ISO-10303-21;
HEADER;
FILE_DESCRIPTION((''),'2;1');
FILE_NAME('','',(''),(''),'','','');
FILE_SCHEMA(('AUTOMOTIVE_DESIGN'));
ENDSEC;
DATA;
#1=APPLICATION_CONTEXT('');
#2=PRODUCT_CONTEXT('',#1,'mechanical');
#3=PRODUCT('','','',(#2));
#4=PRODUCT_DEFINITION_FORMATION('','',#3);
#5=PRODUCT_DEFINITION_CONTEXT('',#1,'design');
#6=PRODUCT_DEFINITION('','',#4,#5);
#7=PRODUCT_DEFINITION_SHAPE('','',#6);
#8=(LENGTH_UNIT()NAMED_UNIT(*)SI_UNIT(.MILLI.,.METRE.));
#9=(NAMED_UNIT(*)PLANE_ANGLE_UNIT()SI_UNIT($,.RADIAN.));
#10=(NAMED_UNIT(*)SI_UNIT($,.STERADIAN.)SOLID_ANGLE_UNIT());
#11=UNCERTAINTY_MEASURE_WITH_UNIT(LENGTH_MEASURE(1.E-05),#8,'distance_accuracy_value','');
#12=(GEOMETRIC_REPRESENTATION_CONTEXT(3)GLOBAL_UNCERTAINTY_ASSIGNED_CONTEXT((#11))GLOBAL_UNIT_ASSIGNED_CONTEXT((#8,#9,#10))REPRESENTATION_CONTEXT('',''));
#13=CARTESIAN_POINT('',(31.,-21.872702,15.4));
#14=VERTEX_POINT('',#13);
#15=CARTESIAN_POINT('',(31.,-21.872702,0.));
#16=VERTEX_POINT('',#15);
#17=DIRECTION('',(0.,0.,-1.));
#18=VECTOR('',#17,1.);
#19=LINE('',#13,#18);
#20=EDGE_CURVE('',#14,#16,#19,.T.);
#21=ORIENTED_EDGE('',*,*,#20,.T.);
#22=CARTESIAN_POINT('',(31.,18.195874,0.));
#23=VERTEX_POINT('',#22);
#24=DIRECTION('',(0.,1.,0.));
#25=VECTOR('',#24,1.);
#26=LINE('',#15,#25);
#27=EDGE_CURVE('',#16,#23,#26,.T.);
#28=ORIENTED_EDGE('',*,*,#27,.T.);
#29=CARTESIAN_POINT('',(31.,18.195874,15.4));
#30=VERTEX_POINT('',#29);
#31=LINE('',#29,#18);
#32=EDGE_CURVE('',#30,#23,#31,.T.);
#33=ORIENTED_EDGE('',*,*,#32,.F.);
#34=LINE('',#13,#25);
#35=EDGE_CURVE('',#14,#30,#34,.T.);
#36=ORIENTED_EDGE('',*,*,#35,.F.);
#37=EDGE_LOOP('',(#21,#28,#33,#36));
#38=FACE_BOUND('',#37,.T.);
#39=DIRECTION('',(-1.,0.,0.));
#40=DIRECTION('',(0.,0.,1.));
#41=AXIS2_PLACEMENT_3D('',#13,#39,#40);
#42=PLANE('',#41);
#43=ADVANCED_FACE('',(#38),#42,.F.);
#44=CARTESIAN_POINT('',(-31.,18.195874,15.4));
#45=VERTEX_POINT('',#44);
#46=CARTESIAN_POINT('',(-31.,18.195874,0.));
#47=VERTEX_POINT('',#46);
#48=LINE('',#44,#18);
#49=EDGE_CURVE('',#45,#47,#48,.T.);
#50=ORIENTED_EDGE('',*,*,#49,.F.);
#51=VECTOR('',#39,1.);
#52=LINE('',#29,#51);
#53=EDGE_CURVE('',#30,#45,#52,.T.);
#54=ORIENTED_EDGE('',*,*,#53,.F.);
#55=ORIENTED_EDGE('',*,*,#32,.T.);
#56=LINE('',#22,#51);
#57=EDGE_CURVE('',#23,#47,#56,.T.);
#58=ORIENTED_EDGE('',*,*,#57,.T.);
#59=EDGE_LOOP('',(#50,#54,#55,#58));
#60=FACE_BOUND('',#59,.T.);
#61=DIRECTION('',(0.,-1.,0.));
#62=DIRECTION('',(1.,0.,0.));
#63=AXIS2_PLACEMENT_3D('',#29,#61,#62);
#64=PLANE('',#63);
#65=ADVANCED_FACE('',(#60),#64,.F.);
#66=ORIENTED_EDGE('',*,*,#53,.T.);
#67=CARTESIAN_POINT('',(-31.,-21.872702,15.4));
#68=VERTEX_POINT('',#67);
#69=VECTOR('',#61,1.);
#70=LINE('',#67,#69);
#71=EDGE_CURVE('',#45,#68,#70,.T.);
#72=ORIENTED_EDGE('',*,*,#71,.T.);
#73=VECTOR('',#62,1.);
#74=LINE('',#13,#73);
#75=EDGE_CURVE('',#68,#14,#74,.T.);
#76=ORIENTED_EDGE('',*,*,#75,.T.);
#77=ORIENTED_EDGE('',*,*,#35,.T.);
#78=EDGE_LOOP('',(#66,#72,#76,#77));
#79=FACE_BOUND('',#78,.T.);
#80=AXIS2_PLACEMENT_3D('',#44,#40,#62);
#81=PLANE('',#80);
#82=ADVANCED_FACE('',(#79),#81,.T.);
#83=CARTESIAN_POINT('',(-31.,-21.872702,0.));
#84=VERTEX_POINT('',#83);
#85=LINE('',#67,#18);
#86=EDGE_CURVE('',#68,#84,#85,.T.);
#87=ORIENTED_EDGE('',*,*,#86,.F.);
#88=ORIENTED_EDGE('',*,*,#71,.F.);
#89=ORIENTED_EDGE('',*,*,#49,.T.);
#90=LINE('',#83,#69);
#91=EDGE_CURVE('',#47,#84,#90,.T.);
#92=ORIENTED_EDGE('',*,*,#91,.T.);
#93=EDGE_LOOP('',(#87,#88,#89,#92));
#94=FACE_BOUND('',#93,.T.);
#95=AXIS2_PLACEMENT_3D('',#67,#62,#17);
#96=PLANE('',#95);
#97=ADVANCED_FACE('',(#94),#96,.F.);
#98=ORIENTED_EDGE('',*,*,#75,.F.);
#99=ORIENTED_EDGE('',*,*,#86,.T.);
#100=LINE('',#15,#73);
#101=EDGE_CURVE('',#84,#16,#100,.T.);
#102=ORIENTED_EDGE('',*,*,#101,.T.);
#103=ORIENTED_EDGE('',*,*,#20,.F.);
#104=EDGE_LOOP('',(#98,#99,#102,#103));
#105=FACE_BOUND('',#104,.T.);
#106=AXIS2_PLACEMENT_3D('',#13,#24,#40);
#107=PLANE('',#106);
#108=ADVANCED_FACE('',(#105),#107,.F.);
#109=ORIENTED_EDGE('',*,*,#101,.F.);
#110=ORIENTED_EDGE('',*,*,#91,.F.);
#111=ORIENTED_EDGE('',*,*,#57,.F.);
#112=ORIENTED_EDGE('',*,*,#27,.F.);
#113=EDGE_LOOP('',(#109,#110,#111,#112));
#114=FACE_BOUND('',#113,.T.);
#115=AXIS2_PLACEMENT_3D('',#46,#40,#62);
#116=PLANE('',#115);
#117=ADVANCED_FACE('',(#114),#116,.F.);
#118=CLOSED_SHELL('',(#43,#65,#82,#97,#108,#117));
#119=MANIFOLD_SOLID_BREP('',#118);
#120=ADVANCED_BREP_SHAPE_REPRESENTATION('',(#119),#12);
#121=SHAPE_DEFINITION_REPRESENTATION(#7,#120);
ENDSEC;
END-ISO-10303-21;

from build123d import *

# Parameters (mm, degrees)
SKETCH1_W           = 62
SKETCH1_H           = 40.068576114
BOSS_EXTRUDE1_DEPTH = 15.4


with BuildPart() as part:
    # Sketch1 → Boss-Extrude1 (new body)
    with BuildSketch(Plane.XY):
        with Locations((0, -1.838413997)):
            Rectangle(SKETCH1_W, SKETCH1_H)
    extrude(amount=BOSS_EXTRUDE1_DEPTH)


solid = part.part
